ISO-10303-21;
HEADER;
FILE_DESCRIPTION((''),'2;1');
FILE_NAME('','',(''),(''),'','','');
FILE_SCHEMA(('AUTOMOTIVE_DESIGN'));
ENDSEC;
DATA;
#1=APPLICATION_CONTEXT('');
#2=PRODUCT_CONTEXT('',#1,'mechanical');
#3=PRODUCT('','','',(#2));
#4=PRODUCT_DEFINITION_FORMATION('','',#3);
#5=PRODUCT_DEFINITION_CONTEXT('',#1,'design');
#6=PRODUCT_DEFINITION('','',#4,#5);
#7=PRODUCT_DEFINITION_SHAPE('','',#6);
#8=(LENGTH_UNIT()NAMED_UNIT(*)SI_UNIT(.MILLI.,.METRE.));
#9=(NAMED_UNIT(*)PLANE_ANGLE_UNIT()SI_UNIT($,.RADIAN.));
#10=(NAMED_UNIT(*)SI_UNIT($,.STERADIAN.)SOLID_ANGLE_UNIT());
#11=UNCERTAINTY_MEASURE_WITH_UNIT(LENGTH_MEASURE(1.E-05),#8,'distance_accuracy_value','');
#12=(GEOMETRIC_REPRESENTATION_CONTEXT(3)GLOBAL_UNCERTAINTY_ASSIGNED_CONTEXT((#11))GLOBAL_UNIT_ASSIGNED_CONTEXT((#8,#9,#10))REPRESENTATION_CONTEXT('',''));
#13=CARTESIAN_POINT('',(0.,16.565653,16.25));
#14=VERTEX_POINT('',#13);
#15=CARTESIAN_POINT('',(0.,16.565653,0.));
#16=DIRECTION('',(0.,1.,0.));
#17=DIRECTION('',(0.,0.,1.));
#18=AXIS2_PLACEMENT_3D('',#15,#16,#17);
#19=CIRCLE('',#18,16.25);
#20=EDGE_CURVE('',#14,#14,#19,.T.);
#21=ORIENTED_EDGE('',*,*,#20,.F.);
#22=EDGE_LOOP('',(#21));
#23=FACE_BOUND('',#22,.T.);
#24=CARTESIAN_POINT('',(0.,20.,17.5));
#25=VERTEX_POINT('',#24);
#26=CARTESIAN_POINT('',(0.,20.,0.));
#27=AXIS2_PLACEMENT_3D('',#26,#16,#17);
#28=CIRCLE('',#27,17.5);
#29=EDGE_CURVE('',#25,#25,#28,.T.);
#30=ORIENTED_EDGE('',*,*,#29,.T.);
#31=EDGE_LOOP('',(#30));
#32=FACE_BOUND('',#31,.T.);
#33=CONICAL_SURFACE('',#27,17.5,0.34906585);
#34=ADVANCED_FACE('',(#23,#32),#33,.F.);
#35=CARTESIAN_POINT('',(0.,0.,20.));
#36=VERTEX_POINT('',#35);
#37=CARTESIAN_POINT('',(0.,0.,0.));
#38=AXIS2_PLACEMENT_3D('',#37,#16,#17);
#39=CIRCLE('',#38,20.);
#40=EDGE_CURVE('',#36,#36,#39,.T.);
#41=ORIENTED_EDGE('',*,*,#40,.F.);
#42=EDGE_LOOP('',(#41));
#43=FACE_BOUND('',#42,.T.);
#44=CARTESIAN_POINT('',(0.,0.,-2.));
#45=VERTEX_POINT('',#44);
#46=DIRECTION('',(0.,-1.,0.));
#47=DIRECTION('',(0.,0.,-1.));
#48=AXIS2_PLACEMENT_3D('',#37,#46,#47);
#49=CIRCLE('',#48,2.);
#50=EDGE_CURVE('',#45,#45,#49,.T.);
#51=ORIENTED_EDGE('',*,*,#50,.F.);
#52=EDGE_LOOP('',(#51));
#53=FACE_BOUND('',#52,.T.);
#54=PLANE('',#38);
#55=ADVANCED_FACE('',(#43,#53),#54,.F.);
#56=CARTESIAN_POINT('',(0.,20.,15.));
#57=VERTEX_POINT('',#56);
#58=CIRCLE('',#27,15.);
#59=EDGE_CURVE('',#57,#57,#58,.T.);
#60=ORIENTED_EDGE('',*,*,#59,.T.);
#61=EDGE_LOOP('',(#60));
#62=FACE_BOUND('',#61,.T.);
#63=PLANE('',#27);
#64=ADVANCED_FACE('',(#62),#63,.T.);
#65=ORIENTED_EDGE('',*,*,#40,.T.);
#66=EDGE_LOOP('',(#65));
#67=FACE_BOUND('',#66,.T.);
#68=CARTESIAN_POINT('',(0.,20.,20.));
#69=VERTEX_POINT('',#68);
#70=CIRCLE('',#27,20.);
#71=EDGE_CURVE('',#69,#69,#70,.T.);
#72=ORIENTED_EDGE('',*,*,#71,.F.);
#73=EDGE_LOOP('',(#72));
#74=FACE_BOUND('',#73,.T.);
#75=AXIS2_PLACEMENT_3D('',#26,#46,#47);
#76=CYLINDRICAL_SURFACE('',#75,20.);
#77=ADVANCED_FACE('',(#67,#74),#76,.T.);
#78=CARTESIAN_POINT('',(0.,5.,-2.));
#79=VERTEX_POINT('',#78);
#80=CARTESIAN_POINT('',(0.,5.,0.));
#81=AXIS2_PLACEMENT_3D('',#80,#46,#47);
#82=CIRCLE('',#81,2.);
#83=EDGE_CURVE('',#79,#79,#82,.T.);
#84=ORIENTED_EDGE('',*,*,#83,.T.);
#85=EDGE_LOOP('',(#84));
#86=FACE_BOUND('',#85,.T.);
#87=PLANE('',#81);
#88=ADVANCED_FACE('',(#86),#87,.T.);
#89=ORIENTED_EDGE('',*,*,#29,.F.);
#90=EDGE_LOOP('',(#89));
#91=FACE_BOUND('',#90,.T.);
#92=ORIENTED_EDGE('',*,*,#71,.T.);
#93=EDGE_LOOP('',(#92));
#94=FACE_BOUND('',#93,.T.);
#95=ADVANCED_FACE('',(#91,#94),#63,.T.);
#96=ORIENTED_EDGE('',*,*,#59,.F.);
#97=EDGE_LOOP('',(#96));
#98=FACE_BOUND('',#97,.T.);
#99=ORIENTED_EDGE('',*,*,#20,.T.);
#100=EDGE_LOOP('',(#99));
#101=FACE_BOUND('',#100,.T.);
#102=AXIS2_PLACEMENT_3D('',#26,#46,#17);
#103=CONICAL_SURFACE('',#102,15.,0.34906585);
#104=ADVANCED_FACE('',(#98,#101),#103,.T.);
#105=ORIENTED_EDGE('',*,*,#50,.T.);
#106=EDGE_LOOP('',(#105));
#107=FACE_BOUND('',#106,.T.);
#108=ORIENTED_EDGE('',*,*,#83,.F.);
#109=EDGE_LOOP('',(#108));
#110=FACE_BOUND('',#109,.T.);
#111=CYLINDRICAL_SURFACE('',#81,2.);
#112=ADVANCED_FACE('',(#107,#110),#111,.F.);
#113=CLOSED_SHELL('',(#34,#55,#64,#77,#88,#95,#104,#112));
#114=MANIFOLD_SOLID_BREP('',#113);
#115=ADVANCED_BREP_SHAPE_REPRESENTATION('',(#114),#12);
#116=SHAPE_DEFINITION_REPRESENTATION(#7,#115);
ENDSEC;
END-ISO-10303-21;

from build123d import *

# Parameters (mm, degrees)
SKETCH1_R           = 20
BOSS_EXTRUDE1_DEPTH = 20
SKETCH2_R           = 17.5
SKETCH2_R_2         = 15
CUT_EXTRUDE1_DEPTH  = 10
CUT_EXTRUDE1_TAPER  = 20
SKETCH3_R           = 2
CUT_EXTRUDE2_DEPTH  = 5


with BuildPart() as part:
    # Sketch1 → Boss-Extrude1 (new body)
    with BuildSketch(Plane(origin=(0, 0, 0), x_dir=(1, 0, 0), z_dir=(0, 1, 0))):
        with Locations(Location((0, 0, 0), (0, 0, 270))):
            Circle(SKETCH1_R)
    extrude(amount=BOSS_EXTRUDE1_DEPTH)

    # Sketch2 → Cut-Extrude1 (cut)
    with BuildSketch(Plane(origin=(0, 20, 0), x_dir=(1, 0, 0), z_dir=(0, 1, 0))):
        Circle(SKETCH2_R)
        Circle(SKETCH2_R_2, mode=Mode.SUBTRACT)
    extrude(amount=-CUT_EXTRUDE1_DEPTH, taper=CUT_EXTRUDE1_TAPER, mode=Mode.SUBTRACT)

    # Sketch3 → Cut-Extrude2 (cut)
    with BuildSketch(Plane.XZ):
        with Locations(Location((0, 0, 0), (0, 0, 270))):
            Circle(SKETCH3_R)
    extrude(amount=-CUT_EXTRUDE2_DEPTH, mode=Mode.SUBTRACT)


solid = part.part
